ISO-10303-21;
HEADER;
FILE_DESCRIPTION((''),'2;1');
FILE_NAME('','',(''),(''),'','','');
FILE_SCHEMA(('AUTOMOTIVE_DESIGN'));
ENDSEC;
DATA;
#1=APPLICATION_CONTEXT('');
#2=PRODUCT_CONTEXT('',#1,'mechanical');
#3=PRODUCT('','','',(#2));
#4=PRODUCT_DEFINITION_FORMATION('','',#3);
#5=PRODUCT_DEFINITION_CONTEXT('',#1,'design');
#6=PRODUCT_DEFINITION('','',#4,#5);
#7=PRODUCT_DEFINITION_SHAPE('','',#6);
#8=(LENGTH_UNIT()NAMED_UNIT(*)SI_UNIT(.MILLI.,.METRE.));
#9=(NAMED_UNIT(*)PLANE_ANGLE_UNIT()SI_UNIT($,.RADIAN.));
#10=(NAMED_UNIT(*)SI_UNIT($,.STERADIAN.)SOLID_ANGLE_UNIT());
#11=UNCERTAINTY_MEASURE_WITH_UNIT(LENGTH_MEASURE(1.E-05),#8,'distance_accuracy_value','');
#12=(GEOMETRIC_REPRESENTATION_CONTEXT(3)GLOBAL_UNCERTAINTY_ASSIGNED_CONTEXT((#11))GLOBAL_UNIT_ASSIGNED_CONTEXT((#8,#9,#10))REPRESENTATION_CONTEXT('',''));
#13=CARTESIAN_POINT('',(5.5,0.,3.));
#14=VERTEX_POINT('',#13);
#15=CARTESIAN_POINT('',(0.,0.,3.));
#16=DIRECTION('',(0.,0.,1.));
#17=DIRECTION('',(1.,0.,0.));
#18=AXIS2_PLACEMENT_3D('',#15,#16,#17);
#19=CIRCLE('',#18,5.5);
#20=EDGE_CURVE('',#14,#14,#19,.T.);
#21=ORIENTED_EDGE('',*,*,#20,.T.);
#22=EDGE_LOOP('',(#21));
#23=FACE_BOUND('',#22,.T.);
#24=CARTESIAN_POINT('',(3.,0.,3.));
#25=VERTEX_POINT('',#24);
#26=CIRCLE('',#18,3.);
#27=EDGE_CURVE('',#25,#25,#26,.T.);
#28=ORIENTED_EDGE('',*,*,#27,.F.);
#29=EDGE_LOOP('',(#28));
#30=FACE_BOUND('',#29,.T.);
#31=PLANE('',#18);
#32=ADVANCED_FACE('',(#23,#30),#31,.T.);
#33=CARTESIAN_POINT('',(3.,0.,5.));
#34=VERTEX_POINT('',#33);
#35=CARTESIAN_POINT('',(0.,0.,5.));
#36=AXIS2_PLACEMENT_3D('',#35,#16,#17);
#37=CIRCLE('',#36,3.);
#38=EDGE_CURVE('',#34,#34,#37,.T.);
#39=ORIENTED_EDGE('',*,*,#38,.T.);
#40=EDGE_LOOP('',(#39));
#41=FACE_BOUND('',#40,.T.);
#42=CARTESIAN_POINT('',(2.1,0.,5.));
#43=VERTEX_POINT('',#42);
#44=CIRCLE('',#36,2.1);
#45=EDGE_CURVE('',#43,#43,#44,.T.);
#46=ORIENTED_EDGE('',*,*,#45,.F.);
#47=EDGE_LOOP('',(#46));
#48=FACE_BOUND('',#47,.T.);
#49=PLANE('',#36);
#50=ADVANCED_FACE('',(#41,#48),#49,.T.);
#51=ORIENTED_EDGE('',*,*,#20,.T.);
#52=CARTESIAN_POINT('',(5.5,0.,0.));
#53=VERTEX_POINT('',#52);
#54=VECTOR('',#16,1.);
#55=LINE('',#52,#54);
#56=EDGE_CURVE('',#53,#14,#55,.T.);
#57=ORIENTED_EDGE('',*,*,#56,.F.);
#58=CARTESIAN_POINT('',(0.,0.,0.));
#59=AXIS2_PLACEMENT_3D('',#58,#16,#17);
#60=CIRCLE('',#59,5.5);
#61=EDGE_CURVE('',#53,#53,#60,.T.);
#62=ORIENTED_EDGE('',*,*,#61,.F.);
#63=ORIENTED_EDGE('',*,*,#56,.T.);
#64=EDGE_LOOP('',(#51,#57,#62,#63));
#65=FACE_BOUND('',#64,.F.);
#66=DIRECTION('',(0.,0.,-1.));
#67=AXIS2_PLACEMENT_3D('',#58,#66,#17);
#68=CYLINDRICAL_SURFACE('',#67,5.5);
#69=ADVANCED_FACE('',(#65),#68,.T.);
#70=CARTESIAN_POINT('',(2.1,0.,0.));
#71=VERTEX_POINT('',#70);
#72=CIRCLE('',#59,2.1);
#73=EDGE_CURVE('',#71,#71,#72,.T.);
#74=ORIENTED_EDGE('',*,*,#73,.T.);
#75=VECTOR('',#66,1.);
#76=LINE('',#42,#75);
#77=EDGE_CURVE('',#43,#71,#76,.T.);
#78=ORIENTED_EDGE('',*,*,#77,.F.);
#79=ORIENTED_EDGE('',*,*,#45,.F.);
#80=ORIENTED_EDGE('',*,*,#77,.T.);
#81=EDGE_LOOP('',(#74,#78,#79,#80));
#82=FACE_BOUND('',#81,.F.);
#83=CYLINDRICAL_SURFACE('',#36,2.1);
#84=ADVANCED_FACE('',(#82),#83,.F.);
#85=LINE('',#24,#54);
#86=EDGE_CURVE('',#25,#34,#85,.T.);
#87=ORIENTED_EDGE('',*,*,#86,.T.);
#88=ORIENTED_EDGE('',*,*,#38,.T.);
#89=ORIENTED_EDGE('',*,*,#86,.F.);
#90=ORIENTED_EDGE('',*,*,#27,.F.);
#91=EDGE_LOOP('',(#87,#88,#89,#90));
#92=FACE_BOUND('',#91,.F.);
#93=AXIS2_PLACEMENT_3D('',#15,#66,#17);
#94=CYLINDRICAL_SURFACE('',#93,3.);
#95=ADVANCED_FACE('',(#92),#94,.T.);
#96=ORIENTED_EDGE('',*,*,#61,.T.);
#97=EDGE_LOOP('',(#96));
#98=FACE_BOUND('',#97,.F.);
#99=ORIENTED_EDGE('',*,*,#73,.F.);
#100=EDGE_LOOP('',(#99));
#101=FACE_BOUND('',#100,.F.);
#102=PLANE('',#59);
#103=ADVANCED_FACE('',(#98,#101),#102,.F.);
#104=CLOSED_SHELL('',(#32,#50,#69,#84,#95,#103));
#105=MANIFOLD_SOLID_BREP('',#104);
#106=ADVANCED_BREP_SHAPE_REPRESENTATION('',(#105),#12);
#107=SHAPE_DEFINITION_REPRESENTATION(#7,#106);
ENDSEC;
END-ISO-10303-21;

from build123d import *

# Parameters (mm, degrees)
SKETCH_R     = 5.5
PAD_DEPTH    = 3
SKETCH001_R  = 3
PAD001_DEPTH = 2
SKETCH002_R  = 2.1
POCKET_DEPTH = 5


with BuildPart() as part:
    # Sketch → Pad (new body)
    with BuildSketch(Plane.XY):
        Circle(SKETCH_R)
    extrude(amount=PAD_DEPTH)

    # Sketch001 (on Face3 of Pad) → Pad001 (join)
    with BuildSketch(Plane.XY.offset(3)):
        Circle(SKETCH001_R)
    extrude(amount=PAD001_DEPTH)

    # Sketch002 (on Face5 of Pad001) → Pocket (cut)
    with BuildSketch(Plane.XY.offset(5)):
        Circle(SKETCH002_R)
    extrude(amount=-POCKET_DEPTH, mode=Mode.SUBTRACT)


solid = part.part
